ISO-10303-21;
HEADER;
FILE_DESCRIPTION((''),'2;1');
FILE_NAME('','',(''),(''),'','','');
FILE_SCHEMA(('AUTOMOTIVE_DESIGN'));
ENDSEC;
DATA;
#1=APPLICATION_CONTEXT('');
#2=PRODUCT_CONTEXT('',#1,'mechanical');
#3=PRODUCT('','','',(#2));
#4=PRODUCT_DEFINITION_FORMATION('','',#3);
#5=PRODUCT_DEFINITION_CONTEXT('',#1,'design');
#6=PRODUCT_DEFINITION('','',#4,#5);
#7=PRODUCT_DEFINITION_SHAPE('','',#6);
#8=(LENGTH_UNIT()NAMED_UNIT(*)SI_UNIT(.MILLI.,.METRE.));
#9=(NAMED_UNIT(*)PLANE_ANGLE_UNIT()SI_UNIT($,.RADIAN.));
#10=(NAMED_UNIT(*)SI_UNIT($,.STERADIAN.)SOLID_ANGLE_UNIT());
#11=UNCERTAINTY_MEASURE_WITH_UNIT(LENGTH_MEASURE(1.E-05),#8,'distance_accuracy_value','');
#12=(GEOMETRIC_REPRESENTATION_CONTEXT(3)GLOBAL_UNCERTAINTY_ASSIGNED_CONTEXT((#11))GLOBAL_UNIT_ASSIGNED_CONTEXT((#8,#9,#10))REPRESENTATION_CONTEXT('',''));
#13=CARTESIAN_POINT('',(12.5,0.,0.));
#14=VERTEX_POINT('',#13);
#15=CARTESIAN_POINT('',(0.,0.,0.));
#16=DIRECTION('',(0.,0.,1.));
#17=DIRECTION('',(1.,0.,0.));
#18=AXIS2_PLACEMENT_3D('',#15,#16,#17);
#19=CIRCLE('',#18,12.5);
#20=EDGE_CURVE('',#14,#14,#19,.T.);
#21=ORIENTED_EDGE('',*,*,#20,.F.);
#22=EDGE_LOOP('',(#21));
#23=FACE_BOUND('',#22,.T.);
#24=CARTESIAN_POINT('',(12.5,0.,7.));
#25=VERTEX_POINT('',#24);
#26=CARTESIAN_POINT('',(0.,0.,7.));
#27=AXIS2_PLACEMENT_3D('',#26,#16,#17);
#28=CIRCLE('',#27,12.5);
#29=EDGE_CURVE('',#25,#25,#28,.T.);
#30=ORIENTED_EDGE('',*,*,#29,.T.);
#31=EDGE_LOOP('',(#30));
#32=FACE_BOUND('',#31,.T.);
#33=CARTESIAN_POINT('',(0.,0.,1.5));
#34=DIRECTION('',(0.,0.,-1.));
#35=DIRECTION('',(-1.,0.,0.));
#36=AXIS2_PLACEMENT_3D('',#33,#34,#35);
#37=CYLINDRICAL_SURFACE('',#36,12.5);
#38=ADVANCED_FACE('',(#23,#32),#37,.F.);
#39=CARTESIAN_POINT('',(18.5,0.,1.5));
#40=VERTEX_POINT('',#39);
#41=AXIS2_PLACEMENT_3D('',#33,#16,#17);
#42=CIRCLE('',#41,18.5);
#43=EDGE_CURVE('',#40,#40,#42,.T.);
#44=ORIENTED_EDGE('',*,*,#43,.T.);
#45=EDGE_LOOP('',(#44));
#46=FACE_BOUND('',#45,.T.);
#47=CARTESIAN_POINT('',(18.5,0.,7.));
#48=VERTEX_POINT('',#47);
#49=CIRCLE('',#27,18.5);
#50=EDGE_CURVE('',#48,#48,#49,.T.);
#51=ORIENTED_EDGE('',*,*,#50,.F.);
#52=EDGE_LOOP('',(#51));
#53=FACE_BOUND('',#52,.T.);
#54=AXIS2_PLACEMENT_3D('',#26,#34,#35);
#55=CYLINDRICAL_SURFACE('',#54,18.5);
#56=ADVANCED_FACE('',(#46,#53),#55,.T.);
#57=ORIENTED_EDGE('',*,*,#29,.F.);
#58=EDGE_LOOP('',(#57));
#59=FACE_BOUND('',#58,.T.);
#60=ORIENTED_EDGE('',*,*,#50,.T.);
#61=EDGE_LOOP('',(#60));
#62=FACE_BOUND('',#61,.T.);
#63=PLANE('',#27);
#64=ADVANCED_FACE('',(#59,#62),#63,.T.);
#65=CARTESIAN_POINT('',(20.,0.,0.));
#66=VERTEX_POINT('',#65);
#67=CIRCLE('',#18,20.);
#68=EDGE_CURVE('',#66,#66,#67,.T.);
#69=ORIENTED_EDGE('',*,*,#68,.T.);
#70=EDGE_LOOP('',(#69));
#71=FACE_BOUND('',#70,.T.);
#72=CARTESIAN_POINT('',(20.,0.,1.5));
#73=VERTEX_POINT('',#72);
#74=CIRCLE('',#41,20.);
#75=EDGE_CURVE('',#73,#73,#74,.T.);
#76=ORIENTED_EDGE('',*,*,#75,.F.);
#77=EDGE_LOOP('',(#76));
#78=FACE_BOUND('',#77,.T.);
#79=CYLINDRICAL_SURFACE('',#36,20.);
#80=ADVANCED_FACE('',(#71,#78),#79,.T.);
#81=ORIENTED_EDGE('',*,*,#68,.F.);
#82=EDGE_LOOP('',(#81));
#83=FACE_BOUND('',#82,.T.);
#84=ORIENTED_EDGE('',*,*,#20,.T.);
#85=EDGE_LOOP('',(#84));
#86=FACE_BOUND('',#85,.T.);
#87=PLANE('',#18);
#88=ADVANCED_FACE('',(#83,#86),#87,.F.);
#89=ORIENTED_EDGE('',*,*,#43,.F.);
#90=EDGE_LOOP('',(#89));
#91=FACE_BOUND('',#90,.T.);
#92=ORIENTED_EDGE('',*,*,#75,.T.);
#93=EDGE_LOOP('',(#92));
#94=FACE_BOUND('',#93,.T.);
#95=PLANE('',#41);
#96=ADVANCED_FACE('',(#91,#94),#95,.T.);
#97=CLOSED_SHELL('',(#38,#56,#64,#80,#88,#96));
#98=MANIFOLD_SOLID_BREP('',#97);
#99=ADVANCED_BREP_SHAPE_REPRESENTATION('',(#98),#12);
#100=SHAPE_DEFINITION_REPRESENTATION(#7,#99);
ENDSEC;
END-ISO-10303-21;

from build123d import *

# Parameters (mm, degrees)
SKETCH1_R      = 20
SKETCH1_R_2    = 12.5
EXTRUDE1_DEPTH = 1.5
SKETCH2_R      = 18.5
SKETCH2_R_2    = 12.5
EXTRUDE2_DEPTH = 5.5


with BuildPart() as part:
    # Sketch1 → Extrude1 (new body)
    with BuildSketch(Plane.XY):
        Circle(SKETCH1_R)
        Circle(SKETCH1_R_2, mode=Mode.SUBTRACT)
    extrude(amount=EXTRUDE1_DEPTH)

    # Sketch2 → Extrude2 (add)
    with BuildSketch(Plane.XY.offset(1.5)):
        Circle(SKETCH2_R)
        Circle(SKETCH2_R_2, mode=Mode.SUBTRACT)
    extrude(amount=EXTRUDE2_DEPTH)


solid = part.part
